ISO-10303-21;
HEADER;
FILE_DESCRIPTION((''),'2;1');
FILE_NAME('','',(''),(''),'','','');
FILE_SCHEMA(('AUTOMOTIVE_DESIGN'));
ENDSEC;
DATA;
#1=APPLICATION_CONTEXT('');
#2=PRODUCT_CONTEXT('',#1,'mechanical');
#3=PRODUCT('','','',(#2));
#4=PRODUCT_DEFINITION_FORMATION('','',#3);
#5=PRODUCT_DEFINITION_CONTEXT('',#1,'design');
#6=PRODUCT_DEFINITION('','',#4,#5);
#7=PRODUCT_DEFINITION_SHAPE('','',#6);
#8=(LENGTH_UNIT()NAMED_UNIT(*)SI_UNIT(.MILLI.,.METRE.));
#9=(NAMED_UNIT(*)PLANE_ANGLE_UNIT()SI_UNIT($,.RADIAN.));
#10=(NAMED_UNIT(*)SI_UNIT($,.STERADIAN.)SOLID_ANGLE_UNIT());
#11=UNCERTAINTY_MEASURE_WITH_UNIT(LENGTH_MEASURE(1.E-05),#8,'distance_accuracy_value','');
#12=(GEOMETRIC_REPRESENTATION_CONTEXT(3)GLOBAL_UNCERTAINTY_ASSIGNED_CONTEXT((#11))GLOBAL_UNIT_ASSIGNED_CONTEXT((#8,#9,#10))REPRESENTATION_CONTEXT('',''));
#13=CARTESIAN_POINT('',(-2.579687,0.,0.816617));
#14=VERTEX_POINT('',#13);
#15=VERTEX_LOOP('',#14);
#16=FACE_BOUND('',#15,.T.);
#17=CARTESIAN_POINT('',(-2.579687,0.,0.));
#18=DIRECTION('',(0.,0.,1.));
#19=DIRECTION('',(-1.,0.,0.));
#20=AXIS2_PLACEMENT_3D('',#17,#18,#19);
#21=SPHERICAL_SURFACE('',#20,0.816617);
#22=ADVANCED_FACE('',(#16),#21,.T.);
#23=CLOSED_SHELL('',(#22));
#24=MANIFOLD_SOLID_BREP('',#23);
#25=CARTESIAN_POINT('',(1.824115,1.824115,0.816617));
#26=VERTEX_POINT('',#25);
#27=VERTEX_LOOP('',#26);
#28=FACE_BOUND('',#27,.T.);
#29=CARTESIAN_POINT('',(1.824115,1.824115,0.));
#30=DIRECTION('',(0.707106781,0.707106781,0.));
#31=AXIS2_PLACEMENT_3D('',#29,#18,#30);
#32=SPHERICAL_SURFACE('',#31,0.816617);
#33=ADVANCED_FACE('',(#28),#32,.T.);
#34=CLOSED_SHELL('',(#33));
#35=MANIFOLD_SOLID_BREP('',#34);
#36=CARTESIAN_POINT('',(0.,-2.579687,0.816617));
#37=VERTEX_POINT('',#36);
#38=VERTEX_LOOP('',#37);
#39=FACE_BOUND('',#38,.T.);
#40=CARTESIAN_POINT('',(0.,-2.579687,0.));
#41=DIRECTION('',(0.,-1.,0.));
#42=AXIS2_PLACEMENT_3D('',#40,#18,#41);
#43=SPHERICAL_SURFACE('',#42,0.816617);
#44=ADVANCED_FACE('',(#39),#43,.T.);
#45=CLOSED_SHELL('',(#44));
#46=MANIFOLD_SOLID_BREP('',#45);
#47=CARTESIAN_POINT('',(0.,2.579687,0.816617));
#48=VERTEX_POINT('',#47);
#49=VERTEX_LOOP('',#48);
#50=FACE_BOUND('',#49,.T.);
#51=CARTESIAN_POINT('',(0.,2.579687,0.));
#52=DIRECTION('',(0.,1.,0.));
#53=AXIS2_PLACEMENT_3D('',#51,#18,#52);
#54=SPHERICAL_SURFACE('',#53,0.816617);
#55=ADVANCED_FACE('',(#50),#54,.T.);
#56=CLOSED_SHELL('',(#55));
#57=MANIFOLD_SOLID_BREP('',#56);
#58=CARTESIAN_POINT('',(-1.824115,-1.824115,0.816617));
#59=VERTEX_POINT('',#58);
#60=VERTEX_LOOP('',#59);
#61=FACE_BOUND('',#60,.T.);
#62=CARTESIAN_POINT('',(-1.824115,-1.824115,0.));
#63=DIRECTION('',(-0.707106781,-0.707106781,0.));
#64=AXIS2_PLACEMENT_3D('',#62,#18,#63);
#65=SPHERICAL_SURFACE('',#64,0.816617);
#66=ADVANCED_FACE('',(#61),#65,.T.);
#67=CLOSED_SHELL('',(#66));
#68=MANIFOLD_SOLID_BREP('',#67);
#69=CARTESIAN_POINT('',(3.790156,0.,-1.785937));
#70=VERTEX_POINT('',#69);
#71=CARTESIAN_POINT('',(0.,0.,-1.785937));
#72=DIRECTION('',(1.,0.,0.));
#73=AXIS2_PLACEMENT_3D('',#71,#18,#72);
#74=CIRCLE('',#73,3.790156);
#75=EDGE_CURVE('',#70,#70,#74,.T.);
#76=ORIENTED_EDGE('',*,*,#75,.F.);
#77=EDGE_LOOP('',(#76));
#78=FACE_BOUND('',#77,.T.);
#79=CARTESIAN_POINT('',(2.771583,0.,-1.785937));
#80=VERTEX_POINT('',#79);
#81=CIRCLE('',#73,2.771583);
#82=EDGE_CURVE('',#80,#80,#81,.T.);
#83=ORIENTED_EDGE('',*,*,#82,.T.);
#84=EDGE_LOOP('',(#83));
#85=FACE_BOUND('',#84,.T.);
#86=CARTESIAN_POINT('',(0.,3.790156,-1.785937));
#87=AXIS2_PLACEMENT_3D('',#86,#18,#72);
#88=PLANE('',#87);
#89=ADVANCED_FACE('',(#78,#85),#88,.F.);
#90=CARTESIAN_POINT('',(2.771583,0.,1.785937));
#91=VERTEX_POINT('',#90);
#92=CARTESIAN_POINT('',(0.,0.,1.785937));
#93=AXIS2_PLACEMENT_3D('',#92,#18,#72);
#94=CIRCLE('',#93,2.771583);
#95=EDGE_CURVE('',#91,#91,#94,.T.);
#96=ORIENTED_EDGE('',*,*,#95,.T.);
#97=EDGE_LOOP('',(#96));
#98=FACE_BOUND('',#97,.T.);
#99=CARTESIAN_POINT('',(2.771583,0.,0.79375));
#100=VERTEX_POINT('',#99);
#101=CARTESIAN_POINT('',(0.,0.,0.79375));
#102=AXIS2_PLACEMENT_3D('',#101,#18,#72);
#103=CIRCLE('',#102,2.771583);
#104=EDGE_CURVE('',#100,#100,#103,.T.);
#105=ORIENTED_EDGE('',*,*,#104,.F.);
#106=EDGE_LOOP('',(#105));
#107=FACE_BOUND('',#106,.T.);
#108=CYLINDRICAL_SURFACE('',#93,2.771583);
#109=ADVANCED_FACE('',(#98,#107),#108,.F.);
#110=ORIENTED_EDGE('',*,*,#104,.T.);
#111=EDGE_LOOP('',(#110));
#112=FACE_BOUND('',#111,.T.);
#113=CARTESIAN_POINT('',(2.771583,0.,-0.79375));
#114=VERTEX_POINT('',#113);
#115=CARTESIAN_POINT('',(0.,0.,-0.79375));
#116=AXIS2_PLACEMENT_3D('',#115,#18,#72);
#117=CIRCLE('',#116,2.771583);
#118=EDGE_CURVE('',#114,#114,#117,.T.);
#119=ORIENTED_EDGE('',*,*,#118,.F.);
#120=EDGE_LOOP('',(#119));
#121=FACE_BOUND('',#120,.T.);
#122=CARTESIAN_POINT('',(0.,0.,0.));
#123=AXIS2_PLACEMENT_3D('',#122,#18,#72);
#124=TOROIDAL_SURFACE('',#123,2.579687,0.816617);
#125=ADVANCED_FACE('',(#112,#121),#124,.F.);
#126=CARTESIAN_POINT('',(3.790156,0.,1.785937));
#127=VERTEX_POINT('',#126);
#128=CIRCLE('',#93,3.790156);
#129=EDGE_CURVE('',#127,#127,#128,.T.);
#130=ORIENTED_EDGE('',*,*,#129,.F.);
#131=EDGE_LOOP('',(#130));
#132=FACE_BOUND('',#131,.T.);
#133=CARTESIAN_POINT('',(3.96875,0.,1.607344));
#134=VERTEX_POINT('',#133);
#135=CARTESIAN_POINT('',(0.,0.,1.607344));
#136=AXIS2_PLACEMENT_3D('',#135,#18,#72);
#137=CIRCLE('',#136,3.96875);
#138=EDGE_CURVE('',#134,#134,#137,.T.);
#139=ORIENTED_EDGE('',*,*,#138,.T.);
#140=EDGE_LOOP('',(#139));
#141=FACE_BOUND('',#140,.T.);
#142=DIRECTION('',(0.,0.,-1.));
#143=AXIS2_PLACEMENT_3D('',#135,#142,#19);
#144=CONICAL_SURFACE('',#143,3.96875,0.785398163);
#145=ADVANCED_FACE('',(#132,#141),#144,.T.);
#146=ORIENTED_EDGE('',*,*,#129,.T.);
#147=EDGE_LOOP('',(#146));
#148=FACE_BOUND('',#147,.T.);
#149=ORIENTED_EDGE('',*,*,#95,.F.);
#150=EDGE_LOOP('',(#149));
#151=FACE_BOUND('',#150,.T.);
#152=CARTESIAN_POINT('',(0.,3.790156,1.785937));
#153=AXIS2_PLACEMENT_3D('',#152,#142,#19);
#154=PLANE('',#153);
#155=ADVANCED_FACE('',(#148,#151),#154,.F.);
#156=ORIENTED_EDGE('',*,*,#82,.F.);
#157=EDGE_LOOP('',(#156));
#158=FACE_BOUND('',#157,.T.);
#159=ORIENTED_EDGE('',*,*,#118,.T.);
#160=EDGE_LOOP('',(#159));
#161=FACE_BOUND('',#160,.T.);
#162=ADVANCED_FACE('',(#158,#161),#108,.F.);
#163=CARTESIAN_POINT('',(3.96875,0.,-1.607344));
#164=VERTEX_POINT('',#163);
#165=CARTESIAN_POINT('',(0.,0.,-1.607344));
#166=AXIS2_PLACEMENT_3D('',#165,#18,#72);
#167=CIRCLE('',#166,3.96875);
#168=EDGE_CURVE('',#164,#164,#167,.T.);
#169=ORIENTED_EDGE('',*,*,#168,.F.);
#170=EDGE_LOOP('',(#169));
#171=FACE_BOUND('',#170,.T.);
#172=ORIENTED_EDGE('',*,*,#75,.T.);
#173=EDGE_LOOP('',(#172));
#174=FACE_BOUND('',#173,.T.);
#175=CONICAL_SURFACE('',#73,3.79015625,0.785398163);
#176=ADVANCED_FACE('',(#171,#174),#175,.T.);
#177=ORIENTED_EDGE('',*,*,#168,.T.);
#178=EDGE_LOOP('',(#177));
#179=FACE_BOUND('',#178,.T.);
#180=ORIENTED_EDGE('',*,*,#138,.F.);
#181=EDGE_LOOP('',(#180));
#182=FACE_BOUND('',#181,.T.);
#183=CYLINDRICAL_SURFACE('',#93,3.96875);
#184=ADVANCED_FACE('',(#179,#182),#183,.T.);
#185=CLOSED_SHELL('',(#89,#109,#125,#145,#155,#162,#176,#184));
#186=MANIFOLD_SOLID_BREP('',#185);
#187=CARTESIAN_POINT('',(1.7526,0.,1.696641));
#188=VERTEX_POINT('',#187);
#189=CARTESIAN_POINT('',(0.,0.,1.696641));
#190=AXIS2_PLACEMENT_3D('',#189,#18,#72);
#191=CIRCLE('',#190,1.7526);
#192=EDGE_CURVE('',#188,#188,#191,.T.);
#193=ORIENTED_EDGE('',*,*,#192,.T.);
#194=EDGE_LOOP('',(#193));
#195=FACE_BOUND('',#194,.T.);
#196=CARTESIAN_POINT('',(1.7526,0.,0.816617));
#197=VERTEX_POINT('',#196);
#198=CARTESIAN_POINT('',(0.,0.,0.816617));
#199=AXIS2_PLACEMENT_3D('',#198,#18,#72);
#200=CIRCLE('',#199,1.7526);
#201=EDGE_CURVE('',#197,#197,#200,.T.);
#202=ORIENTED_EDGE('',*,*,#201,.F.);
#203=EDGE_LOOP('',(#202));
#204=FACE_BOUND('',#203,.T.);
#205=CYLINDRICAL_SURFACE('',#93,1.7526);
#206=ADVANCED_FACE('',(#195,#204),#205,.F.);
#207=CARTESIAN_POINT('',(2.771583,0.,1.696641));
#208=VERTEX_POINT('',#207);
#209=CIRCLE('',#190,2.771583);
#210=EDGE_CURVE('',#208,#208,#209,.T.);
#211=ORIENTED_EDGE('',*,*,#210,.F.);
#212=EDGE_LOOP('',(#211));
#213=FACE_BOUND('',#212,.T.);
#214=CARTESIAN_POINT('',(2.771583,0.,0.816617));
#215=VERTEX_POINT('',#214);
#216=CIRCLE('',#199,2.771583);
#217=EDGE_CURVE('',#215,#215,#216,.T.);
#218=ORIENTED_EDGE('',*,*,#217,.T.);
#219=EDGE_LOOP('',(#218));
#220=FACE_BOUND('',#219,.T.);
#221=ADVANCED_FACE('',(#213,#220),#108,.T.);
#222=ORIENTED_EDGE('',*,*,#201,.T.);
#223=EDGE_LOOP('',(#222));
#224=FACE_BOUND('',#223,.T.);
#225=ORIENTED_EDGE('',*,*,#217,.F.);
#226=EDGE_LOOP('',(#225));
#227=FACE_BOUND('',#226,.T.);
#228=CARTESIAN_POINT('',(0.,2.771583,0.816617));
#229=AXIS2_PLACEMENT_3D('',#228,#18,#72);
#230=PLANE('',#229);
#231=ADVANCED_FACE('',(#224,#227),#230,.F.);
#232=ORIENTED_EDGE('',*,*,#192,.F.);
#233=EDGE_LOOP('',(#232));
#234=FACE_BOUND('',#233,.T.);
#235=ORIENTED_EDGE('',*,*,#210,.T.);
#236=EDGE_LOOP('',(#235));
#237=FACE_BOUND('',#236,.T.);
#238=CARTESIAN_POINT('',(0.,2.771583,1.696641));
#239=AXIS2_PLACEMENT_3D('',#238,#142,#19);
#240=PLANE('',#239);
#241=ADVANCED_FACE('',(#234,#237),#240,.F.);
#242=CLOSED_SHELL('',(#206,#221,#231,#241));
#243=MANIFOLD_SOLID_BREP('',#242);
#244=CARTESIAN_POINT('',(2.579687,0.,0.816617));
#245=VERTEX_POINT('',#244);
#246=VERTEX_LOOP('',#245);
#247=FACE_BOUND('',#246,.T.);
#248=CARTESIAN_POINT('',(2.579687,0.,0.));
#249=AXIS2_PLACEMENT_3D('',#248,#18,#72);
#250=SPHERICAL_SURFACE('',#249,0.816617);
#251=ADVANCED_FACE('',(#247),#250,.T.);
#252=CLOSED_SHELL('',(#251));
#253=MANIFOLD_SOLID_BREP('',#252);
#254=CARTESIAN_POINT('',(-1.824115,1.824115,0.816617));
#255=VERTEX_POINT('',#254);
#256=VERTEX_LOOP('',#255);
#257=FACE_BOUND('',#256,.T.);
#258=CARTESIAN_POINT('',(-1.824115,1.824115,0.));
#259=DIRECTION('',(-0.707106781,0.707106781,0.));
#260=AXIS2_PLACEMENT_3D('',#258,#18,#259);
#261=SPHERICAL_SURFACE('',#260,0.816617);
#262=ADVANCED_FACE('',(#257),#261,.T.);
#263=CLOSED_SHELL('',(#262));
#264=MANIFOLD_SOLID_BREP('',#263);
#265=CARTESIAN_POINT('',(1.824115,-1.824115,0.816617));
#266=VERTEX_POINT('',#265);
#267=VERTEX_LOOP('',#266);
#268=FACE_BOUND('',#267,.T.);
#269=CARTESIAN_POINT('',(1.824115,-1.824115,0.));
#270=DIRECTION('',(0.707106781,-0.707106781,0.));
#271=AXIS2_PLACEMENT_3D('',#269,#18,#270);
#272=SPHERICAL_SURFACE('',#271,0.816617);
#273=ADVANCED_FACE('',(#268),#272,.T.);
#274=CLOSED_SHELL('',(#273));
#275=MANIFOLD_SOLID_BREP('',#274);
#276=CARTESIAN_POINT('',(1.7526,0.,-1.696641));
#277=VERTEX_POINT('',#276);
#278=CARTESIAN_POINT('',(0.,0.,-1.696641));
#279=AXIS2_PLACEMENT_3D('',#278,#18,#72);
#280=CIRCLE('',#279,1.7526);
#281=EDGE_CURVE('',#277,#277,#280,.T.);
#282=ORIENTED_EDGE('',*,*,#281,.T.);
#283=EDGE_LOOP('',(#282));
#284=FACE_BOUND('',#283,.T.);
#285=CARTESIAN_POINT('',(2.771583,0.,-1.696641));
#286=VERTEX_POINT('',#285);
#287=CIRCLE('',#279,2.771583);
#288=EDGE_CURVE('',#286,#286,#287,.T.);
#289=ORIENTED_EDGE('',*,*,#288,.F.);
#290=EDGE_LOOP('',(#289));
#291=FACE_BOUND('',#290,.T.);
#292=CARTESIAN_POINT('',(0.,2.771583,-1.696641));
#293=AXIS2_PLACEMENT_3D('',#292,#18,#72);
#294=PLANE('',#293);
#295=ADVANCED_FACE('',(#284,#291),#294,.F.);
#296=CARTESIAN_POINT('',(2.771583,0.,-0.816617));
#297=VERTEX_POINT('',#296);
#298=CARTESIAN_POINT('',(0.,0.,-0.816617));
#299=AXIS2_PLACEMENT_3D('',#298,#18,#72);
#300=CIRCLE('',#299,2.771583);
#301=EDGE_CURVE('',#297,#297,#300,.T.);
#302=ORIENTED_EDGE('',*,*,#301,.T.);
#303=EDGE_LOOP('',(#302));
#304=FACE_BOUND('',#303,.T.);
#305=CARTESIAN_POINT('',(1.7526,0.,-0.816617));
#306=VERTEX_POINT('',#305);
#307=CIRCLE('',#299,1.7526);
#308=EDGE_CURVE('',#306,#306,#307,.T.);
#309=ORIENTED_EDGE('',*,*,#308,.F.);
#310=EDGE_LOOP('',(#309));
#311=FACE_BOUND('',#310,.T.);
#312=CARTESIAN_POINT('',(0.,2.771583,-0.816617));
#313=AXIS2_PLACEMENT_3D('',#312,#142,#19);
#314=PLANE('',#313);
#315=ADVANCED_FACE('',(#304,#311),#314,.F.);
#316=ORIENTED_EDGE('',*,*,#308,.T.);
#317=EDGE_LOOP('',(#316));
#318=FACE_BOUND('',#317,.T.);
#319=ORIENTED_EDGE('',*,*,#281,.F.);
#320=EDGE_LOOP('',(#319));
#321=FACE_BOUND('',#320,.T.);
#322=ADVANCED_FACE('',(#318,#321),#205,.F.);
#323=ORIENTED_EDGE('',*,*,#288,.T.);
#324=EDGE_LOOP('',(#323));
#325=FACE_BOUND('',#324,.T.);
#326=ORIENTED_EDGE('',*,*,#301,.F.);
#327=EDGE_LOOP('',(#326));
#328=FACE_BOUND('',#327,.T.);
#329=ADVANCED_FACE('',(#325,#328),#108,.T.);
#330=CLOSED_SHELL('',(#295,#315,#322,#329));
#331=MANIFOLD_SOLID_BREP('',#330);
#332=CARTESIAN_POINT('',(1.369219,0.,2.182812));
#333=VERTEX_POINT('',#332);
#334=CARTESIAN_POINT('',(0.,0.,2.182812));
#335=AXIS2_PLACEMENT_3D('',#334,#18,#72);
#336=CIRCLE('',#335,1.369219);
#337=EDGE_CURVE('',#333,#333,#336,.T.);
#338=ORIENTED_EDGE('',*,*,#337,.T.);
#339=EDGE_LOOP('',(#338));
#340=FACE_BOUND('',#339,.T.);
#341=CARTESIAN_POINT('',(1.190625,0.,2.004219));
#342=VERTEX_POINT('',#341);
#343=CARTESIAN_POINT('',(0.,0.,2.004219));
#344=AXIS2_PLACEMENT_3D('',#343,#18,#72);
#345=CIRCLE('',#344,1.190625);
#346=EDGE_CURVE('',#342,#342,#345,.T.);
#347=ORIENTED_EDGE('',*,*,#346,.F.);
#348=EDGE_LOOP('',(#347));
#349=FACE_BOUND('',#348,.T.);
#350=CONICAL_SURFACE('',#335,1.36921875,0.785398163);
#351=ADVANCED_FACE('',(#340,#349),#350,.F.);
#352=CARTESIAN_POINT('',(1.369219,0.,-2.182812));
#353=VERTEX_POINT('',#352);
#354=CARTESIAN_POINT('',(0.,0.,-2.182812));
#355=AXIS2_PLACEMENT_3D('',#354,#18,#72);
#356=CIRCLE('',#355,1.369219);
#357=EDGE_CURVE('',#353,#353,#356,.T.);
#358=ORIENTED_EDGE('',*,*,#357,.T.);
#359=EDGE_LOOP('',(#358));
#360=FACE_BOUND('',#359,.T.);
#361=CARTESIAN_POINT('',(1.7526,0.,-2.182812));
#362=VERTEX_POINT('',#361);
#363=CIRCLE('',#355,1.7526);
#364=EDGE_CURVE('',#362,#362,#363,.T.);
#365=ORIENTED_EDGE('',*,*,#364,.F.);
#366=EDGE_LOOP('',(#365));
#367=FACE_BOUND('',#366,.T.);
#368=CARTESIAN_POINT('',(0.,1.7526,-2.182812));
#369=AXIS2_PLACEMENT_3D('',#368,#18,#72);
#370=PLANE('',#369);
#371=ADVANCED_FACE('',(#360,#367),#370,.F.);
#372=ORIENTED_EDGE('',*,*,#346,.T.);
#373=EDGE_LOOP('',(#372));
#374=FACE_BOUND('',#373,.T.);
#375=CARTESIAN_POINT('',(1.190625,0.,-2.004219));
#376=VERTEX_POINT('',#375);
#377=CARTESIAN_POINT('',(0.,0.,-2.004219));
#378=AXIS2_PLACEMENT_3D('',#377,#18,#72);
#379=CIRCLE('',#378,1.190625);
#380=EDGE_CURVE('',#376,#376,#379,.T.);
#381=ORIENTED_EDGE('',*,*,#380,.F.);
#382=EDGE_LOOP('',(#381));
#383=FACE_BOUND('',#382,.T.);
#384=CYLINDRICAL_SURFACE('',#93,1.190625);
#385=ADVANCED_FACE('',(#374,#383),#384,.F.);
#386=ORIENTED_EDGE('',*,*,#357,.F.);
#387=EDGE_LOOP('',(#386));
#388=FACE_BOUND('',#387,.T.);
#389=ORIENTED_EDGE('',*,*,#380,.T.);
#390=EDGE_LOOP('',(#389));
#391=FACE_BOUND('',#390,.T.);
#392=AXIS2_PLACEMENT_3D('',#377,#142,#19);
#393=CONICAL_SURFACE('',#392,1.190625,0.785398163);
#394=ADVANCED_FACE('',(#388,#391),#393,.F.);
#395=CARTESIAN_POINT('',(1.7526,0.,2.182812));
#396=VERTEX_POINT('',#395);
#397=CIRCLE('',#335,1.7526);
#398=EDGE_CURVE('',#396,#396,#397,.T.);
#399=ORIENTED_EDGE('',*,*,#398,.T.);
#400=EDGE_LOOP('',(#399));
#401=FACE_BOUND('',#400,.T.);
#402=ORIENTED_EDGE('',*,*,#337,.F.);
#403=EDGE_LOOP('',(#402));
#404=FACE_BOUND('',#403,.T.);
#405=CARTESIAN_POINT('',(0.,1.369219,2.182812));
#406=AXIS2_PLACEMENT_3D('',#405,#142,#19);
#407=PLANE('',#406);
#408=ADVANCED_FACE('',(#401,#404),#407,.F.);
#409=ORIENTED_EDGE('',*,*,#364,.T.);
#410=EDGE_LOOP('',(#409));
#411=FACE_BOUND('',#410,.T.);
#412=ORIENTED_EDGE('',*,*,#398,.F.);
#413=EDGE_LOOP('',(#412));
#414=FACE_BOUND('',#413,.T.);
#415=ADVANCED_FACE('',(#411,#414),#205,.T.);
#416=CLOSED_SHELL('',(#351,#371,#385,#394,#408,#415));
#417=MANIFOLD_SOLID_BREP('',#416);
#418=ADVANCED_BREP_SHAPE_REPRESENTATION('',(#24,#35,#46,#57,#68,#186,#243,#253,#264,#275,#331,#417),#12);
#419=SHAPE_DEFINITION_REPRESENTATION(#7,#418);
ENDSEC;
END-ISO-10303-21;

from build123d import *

# Parameters (mm, degrees)
CIRPATTERN1_COUNT = 8
SKETCH5_W         = 0.880023833
SKETCH5_H         = 1.018983104


with BuildPart() as part:
    # Sketch1 → Revolve1 (revolve)
    with BuildSketch(Plane(origin=(0, 0, 0), x_dir=(0, 0, -1), z_dir=(1, 0, 0)), mode=Mode.PRIVATE) as revolve1_sk:
        with BuildLine():
            Line((1.60734375, 3.96875), (-1.60734375, 3.96875))
            Line((-1.60734375, 3.96875), (-1.7859375, 3.79015625))
            Line((-1.7859375, 3.79015625), (-1.7859375, 2.771583104))
            Line((-1.7859375, 2.771583104), (-0.79375, 2.771583104))
            ThreePointArc((-0.79375, 2.771583104), (0, 3.396304292), (0.79375, 2.771583104))
            Line((0.79375, 2.771583104), (1.7859375, 2.771583104))
            Line((1.7859375, 2.771583104), (1.7859375, 3.79015625))
            Line((1.7859375, 3.79015625), (1.60734375, 3.96875))
        make_face()
    revolve(revolve1_sk.sketch.rotate(Axis((0, 0, 1.7859375), (0, 0, -1)), 90), axis=Axis((0, 0, 1.7859375), (0, 0, -1)))


with BuildPart() as body_2:
    # Sketch3 → Revolve3 (revolve)
    with BuildSketch(Plane(origin=(0, 0, 0), x_dir=(0, 0, -1), z_dir=(1, 0, 0)), mode=Mode.PRIVATE) as revolve3_sk:
        Polygon((-2.1828125, 1.36921875), (-2.1828125, 1.7526), (2.1828125, 1.7526), (2.1828125, 1.36921875), (2.00421875, 1.190625), (-2.00421875, 1.190625), align=None)
    revolve(revolve3_sk.sketch.rotate(Axis((0, 0, 1.7859375), (0, 0, -1)), 90), axis=Axis((0, 0, 1.7859375), (0, 0, -1)))


with BuildPart() as body_3:
    # Sketch4 → Revolve4 (revolve)
    with BuildSketch(Plane(origin=(0, 0, 0), x_dir=(0, 0, -1), z_dir=(1, 0, 0))):
        with BuildLine():
            Line((-0.816616792, 2.5796875), (0.816616792, 2.5796875))
            ThreePointArc((0.816616792, 2.5796875), (0, 3.396304292), (-0.816616792, 2.5796875))
        make_face()
    revolve(axis=Axis((0, 2.5796875, 0.816616792), (0, 0, -1)))


with BuildPart() as cirpattern1_1:
    # CirPattern1: pattern copy
    add(body_3.part.rotate(Axis((0, 0, 0), (0, 0, 1)), 1 * 360 / CIRPATTERN1_COUNT))


with BuildPart() as cirpattern1_2:
    # CirPattern1: pattern copy
    add(body_3.part.rotate(Axis((0, 0, 0), (0, 0, 1)), 2 * 360 / CIRPATTERN1_COUNT))


with BuildPart() as cirpattern1_3:
    # CirPattern1: pattern copy
    add(body_3.part.rotate(Axis((0, 0, 0), (0, 0, 1)), 3 * 360 / CIRPATTERN1_COUNT))


with BuildPart() as cirpattern1_4:
    # CirPattern1: pattern copy
    add(body_3.part.rotate(Axis((0, 0, 0), (0, 0, 1)), 4 * 360 / CIRPATTERN1_COUNT))


with BuildPart() as cirpattern1_5:
    # CirPattern1: pattern copy
    add(body_3.part.rotate(Axis((0, 0, 0), (0, 0, 1)), 5 * 360 / CIRPATTERN1_COUNT))


with BuildPart() as cirpattern1_6:
    # CirPattern1: pattern copy
    add(body_3.part.rotate(Axis((0, 0, 0), (0, 0, 1)), 6 * 360 / CIRPATTERN1_COUNT))


with BuildPart() as cirpattern1_7:
    # CirPattern1: pattern copy
    add(body_3.part.rotate(Axis((0, 0, 0), (0, 0, 1)), 7 * 360 / CIRPATTERN1_COUNT))


with BuildPart() as body_11:
    # Sketch5 → Revolve5 (revolve)
    with BuildSketch(Plane(origin=(0, 0, 0), x_dir=(0, 0, -1), z_dir=(1, 0, 0)), mode=Mode.PRIVATE) as revolve5_sk:
        with Locations((-1.256628709, 2.262091552)):
            Rectangle(SKETCH5_W, SKETCH5_H)
        with Locations((1.256628709, 2.262091552)):
            Rectangle(SKETCH5_W, SKETCH5_H)
    revolve(revolve5_sk.sketch.rotate(Axis((0, 0, 1.7859375), (0, 0, -1)), 90), axis=Axis((0, 0, 1.7859375), (0, 0, -1)))


solid = Compound([part.part, body_2.part, body_3.part, cirpattern1_1.part, cirpattern1_2.part, cirpattern1_3.part, cirpattern1_4.part, cirpattern1_5.part, cirpattern1_6.part, cirpattern1_7.part, body_11.part])
